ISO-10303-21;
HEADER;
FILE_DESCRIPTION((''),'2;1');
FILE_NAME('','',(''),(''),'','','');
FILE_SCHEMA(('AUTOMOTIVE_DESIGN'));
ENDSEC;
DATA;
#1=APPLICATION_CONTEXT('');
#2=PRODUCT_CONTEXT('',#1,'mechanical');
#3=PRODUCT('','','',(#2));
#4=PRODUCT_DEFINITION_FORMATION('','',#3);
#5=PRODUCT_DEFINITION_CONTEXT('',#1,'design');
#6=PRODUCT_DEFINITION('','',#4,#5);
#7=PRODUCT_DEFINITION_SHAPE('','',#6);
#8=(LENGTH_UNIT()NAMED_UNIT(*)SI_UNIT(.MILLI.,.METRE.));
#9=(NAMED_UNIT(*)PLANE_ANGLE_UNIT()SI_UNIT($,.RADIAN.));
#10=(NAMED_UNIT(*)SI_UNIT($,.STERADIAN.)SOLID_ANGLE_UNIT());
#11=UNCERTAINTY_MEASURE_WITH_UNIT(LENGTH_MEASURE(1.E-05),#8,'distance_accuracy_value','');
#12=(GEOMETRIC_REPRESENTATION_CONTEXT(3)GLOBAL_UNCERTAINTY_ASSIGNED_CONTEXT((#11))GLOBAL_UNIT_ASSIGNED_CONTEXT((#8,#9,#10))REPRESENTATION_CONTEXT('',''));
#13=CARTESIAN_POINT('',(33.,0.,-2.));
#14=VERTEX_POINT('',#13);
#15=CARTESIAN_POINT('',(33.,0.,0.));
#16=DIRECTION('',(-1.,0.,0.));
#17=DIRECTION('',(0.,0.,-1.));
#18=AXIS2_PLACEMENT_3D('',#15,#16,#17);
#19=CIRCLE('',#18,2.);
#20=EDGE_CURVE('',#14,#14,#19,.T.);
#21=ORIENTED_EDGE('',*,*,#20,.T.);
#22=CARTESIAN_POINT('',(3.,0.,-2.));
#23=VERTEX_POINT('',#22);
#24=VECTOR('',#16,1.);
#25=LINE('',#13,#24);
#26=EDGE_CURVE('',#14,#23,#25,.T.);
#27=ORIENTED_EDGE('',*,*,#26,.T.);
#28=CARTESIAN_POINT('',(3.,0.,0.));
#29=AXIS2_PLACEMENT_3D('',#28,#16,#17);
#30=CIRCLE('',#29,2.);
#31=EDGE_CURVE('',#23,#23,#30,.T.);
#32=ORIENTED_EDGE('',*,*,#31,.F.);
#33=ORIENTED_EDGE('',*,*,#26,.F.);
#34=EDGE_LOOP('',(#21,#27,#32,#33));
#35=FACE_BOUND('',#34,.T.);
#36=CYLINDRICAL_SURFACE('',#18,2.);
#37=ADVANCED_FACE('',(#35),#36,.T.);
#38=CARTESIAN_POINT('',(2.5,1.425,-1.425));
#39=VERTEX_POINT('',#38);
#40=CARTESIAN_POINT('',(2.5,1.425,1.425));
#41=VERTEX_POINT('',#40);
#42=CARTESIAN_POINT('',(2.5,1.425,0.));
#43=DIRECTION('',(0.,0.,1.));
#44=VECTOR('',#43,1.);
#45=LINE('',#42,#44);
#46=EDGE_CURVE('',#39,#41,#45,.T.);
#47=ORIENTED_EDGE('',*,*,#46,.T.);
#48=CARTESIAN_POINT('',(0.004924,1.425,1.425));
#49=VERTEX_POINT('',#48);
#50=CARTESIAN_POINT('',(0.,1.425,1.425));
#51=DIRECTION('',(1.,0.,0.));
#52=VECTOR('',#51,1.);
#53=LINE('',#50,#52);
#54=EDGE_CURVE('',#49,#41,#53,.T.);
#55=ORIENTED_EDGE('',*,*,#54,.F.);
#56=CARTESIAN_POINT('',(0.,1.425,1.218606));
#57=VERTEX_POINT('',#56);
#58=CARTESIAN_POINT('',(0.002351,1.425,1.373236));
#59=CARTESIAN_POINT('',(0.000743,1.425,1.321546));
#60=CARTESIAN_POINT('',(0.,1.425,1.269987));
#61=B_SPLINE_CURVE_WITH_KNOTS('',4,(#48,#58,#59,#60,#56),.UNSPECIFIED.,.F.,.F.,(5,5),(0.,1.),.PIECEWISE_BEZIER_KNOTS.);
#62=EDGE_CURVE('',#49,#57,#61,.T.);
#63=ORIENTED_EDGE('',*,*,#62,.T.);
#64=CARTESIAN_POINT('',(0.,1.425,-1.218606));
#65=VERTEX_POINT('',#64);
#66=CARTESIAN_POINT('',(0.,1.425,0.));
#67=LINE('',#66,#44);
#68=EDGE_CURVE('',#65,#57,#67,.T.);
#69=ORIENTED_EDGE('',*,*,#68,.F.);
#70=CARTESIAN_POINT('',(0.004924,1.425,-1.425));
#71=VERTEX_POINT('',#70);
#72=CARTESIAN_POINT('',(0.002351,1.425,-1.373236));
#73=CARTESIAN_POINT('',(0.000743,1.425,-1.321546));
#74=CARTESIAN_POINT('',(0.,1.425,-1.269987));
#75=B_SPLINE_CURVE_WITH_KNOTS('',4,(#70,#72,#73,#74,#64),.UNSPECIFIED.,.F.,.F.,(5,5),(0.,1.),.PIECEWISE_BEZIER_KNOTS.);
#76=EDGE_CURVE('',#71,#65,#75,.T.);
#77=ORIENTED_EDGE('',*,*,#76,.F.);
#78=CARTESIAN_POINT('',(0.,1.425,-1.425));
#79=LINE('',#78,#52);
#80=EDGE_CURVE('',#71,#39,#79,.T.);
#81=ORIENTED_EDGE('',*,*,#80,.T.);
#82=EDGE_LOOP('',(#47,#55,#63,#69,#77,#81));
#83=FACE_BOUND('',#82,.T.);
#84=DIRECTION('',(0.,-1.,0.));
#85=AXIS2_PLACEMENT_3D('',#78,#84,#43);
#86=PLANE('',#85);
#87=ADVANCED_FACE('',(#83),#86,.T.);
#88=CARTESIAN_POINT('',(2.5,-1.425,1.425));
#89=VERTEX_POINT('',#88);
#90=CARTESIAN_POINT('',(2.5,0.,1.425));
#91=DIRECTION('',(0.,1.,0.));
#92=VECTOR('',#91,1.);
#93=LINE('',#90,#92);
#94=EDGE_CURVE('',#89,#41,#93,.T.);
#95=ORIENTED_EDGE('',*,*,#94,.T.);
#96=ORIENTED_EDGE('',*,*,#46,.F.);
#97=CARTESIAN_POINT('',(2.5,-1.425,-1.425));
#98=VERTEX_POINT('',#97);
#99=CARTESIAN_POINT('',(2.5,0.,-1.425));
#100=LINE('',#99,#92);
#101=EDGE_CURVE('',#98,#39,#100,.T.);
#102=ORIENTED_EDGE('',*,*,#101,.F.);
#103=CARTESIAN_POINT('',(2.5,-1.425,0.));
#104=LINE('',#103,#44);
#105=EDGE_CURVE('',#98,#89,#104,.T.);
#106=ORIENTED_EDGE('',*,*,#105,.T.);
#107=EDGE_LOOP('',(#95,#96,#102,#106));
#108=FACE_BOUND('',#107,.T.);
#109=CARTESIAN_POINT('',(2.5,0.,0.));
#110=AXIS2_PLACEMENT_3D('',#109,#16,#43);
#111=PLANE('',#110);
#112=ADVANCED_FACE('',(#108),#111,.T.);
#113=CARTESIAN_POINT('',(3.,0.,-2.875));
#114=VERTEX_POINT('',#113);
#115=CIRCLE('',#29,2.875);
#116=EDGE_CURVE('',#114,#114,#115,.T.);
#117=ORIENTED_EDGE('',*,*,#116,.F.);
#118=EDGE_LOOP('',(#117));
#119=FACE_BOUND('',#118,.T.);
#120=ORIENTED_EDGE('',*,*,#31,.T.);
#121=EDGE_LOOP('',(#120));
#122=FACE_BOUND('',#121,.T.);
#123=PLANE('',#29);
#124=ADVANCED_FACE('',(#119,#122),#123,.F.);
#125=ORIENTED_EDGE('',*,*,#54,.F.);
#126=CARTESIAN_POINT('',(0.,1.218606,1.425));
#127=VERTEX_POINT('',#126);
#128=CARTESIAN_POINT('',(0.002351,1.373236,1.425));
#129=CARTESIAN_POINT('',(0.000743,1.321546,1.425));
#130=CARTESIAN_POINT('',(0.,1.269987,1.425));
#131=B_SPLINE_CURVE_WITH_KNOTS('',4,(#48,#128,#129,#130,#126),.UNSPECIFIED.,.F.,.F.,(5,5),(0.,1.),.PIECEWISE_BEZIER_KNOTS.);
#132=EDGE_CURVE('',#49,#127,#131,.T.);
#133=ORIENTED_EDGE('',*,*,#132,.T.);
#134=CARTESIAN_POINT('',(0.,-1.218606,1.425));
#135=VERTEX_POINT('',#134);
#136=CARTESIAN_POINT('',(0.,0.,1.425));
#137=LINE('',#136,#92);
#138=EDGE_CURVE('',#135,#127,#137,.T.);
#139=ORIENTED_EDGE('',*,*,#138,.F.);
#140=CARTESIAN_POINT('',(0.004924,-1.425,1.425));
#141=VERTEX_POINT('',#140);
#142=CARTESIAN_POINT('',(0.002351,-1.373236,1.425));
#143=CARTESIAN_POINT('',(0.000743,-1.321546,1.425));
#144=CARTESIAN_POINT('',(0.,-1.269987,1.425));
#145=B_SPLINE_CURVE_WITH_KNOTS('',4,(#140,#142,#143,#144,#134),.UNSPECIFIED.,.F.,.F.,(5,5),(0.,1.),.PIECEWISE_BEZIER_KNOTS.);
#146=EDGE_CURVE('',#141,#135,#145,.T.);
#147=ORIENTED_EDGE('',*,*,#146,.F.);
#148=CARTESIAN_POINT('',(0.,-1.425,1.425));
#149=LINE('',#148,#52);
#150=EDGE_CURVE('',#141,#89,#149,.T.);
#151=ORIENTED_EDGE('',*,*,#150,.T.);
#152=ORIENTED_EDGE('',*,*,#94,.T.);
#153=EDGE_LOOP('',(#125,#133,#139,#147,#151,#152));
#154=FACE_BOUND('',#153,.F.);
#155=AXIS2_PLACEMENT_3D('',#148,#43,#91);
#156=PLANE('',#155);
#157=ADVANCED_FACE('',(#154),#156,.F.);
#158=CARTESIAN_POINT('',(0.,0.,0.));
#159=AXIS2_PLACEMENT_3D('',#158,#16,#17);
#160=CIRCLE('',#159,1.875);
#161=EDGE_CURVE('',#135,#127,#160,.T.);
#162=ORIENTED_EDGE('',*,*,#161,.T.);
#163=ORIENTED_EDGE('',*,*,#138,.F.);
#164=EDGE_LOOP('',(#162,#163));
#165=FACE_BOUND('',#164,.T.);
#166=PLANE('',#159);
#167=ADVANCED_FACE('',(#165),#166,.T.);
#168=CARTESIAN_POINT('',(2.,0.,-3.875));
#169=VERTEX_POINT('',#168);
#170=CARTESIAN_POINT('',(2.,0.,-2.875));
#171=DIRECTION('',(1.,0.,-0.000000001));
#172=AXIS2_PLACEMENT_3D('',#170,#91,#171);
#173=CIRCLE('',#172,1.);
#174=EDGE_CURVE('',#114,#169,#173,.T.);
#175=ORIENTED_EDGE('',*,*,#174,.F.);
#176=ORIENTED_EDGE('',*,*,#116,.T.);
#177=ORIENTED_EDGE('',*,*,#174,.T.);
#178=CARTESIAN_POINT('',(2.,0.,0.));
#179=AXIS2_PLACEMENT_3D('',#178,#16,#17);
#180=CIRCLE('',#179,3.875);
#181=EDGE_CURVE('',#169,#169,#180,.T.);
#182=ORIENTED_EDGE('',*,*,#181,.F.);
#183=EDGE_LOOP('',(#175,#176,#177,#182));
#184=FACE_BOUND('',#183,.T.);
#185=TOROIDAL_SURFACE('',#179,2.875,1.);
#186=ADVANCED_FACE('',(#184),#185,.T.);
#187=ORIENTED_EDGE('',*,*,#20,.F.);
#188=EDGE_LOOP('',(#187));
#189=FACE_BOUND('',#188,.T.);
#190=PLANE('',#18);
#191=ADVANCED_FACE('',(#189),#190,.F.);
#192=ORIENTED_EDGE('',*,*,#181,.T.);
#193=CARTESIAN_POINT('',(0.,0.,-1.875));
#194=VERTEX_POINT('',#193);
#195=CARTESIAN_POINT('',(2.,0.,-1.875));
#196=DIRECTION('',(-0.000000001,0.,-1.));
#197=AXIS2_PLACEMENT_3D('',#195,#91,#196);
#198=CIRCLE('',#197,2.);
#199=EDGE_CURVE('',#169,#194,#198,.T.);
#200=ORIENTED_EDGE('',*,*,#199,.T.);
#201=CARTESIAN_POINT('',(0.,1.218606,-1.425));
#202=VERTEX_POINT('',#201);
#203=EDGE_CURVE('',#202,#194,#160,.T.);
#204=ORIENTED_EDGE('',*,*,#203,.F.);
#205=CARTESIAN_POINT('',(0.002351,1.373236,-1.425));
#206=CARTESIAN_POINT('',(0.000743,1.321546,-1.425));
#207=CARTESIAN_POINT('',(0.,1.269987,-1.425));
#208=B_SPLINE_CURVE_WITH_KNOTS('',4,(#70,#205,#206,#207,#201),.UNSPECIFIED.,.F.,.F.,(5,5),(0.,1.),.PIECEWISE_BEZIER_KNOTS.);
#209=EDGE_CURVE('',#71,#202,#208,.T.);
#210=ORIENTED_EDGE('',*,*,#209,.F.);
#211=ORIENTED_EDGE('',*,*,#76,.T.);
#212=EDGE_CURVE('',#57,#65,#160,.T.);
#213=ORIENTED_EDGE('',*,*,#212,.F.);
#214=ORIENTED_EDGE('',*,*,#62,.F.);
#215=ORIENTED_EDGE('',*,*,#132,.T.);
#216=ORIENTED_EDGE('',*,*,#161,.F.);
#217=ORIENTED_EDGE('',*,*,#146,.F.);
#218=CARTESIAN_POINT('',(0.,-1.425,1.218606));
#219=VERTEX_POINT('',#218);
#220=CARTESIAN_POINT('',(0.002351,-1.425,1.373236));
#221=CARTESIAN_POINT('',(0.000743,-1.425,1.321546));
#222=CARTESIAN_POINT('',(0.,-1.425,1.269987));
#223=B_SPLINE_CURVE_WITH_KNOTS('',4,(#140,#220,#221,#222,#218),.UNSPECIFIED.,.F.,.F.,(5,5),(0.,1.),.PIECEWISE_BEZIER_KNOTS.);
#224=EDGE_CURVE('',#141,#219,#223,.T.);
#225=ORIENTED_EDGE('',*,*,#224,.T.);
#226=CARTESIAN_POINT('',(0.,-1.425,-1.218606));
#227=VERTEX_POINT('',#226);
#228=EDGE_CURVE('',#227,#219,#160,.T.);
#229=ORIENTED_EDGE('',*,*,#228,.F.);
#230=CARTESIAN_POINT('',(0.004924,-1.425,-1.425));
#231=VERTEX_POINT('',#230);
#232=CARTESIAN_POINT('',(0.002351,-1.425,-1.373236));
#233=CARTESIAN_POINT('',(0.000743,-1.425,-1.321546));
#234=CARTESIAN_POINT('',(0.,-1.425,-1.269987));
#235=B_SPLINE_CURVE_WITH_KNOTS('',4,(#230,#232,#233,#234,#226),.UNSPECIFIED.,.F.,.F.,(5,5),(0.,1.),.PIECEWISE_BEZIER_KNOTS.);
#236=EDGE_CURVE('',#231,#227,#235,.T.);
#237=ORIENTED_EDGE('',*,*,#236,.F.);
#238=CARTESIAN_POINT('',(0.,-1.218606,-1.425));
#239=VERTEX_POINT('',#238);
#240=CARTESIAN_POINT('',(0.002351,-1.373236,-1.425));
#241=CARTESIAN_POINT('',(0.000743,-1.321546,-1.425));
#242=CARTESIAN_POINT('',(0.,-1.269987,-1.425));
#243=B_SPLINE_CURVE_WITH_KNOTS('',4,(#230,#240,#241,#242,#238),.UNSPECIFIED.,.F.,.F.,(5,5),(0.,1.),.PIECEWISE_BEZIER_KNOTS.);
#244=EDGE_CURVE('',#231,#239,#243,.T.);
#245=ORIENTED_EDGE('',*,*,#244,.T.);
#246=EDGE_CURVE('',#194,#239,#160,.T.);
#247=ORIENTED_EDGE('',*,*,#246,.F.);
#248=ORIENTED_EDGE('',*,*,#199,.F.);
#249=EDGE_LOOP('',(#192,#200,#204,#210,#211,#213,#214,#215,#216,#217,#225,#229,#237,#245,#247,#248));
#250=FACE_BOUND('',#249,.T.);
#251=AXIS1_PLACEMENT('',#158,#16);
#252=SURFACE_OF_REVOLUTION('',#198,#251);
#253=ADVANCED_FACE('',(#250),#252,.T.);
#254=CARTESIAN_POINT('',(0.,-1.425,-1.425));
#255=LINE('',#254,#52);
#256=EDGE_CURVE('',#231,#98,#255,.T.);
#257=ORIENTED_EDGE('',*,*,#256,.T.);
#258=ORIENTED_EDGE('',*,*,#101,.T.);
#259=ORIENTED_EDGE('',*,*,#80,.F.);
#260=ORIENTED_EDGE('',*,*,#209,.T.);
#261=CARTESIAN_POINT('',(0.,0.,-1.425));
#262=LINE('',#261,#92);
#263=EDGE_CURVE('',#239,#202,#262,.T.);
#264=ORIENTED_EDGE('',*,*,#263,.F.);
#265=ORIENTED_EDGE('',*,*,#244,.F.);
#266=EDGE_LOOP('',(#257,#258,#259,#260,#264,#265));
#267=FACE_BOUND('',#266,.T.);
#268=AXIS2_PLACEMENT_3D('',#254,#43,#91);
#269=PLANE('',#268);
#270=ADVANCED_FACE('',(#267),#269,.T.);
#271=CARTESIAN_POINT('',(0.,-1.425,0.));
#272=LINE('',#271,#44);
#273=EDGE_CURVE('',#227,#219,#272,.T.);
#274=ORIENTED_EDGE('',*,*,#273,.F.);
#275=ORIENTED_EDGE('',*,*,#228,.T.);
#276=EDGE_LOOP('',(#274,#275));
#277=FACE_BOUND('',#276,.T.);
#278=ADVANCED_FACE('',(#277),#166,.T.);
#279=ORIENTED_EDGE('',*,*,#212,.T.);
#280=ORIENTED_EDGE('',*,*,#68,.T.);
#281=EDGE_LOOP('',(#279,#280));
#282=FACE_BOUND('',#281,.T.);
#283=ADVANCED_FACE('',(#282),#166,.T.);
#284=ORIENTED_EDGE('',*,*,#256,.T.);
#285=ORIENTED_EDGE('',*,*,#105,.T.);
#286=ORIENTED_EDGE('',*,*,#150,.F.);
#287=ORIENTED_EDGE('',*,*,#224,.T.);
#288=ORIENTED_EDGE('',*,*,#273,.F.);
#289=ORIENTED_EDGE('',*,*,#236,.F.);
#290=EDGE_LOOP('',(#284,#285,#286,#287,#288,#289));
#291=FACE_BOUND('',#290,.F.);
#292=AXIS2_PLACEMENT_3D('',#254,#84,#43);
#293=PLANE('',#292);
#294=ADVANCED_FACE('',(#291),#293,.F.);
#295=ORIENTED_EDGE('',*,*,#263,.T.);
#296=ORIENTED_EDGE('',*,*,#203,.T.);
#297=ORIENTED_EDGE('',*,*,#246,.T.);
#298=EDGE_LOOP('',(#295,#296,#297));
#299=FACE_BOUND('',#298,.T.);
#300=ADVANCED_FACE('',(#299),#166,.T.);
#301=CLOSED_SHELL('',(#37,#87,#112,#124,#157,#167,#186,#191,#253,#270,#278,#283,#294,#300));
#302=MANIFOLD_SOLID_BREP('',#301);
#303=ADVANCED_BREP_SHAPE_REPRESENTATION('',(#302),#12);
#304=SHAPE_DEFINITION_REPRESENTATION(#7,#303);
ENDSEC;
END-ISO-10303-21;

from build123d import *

# Parameters (mm, degrees)
SKETCH2_W          = 2.85
SKETCH2_H          = 2.85
CUT_EXTRUDE1_DEPTH = 2.5


with BuildPart() as part:
    # Sketch1 → Revolve1 (revolve)
    with BuildSketch(Plane.XY, mode=Mode.PRIVATE) as revolve1_sk:
        with BuildLine():
            Line((0, 0), (33, 0))
            Line((33, 0), (33, 2))
            Line((33, 2), (3, 2))
            Line((3, 2), (3, 2.875))
            ThreePointArc((3, 2.875), (2.707106781, 3.582106781), (2, 3.875))
            ThreePointArc((2, 3.875), (0.585786438, 3.289213562), (0, 1.875))
            Line((0, 1.875), (0, 0))
        make_face()
    revolve(revolve1_sk.sketch.rotate(Axis((0, 0, 0), (-1, 0, 0)), 90), axis=Axis((0, 0, 0), (-1, 0, 0)))

    # Sketch2 → Cut-Extrude1 (cut)
    with BuildSketch(Plane.ZY):
        Rectangle(SKETCH2_W, SKETCH2_H)
    extrude(amount=-CUT_EXTRUDE1_DEPTH, mode=Mode.SUBTRACT)


solid = part.part
